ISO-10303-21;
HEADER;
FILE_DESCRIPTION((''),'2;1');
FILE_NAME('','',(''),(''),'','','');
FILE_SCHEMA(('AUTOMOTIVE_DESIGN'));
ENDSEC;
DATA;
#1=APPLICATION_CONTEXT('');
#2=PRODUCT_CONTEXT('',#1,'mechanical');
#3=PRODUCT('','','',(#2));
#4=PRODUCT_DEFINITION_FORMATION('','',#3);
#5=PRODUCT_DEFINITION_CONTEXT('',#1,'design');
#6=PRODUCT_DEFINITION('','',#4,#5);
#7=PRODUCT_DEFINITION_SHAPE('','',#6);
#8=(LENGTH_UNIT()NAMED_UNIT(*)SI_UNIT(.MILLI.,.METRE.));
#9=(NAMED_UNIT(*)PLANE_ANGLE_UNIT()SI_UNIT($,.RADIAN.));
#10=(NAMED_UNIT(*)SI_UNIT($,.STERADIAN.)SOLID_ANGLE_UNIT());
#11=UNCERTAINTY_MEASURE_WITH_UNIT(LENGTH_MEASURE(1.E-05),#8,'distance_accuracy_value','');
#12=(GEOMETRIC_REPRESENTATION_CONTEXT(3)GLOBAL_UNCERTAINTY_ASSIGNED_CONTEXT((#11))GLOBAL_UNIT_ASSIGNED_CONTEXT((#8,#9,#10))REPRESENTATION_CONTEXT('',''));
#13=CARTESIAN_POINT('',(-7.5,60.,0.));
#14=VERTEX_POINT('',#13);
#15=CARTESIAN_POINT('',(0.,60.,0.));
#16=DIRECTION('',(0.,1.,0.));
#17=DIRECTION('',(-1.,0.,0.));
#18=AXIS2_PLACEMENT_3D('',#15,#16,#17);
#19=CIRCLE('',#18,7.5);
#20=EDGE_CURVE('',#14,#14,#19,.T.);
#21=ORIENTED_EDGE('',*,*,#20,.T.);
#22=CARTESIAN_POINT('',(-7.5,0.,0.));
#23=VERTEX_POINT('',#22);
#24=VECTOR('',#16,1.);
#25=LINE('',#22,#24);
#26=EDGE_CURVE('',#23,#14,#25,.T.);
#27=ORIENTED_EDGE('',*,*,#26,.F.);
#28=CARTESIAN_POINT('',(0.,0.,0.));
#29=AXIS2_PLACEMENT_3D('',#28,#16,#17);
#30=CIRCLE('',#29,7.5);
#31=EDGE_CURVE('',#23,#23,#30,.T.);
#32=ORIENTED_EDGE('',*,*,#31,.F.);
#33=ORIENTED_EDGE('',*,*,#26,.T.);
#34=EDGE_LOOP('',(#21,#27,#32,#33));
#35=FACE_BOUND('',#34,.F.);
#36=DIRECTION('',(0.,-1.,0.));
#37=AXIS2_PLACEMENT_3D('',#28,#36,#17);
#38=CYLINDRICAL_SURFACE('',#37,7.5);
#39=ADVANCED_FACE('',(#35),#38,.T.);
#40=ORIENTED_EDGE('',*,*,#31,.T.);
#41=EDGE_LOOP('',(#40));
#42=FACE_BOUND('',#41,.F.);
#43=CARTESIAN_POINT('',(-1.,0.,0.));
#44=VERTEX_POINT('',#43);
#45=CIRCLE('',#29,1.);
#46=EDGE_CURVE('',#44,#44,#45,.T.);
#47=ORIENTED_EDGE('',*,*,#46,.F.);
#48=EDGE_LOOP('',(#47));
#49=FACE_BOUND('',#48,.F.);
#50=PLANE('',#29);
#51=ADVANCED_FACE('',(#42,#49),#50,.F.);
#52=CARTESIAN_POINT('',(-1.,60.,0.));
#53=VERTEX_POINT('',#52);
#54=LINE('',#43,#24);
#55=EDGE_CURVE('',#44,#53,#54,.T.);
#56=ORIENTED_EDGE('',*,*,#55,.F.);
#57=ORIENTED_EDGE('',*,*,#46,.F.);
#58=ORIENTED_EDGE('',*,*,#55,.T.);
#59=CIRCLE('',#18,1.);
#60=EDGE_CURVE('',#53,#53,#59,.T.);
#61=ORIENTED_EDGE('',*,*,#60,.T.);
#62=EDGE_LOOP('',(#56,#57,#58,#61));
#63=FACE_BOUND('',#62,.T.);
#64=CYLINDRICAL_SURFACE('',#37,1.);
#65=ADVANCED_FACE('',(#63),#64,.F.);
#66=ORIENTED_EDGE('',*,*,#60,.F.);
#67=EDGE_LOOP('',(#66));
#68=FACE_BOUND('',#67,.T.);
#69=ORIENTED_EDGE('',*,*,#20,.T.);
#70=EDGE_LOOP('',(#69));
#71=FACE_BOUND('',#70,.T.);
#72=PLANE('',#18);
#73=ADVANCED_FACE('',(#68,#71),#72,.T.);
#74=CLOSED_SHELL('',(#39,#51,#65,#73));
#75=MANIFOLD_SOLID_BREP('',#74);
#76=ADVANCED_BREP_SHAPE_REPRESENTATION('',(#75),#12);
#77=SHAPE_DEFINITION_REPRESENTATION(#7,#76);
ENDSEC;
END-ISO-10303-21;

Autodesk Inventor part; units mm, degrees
ref_plane "YZ Plane" through (0, 0, 0) normal (1, 0, 0) x (0, 1, 0)
ref_plane "XZ Plane" through (0, 0, 0) normal (0, 1, 0) x (-1, 0, 0)
ref_plane "XY Plane" through (0, 0, 0) normal (0, 0, 1) x (1, 0, 0)
sketch "スケッチ1" plane through (0, 0, 0) normal (0, 1, 0) x (-1, 0, 0)
  circle A0 centre (0, 0) radius 1
  circle A1 centre (0, 0) radius 7.5
  dimension "d0" = 2
  dimension "d1" = 15
extrude "押し出し1" add sketch "スケッチ1" along normal blind 60
equation "\"BendRadius\" = Thickness"
equation "\"BendReliefWidth\" = Thickness"
equation "\"BendReliefDepth\" = 0.5 * Thickness"
equation "\"CornerReliefSize\" = 4 * Thickness"
equation "\"MinimumRemnant\" = 2 * Thickness"
equation "\"TransitionRadius\" = BendRadius"
equation "\"JacobiRadiusSize\" = BendRadius"
equation "\"GapSize\" = Thickness"
equation "\"Thickness\" = 0.5"
